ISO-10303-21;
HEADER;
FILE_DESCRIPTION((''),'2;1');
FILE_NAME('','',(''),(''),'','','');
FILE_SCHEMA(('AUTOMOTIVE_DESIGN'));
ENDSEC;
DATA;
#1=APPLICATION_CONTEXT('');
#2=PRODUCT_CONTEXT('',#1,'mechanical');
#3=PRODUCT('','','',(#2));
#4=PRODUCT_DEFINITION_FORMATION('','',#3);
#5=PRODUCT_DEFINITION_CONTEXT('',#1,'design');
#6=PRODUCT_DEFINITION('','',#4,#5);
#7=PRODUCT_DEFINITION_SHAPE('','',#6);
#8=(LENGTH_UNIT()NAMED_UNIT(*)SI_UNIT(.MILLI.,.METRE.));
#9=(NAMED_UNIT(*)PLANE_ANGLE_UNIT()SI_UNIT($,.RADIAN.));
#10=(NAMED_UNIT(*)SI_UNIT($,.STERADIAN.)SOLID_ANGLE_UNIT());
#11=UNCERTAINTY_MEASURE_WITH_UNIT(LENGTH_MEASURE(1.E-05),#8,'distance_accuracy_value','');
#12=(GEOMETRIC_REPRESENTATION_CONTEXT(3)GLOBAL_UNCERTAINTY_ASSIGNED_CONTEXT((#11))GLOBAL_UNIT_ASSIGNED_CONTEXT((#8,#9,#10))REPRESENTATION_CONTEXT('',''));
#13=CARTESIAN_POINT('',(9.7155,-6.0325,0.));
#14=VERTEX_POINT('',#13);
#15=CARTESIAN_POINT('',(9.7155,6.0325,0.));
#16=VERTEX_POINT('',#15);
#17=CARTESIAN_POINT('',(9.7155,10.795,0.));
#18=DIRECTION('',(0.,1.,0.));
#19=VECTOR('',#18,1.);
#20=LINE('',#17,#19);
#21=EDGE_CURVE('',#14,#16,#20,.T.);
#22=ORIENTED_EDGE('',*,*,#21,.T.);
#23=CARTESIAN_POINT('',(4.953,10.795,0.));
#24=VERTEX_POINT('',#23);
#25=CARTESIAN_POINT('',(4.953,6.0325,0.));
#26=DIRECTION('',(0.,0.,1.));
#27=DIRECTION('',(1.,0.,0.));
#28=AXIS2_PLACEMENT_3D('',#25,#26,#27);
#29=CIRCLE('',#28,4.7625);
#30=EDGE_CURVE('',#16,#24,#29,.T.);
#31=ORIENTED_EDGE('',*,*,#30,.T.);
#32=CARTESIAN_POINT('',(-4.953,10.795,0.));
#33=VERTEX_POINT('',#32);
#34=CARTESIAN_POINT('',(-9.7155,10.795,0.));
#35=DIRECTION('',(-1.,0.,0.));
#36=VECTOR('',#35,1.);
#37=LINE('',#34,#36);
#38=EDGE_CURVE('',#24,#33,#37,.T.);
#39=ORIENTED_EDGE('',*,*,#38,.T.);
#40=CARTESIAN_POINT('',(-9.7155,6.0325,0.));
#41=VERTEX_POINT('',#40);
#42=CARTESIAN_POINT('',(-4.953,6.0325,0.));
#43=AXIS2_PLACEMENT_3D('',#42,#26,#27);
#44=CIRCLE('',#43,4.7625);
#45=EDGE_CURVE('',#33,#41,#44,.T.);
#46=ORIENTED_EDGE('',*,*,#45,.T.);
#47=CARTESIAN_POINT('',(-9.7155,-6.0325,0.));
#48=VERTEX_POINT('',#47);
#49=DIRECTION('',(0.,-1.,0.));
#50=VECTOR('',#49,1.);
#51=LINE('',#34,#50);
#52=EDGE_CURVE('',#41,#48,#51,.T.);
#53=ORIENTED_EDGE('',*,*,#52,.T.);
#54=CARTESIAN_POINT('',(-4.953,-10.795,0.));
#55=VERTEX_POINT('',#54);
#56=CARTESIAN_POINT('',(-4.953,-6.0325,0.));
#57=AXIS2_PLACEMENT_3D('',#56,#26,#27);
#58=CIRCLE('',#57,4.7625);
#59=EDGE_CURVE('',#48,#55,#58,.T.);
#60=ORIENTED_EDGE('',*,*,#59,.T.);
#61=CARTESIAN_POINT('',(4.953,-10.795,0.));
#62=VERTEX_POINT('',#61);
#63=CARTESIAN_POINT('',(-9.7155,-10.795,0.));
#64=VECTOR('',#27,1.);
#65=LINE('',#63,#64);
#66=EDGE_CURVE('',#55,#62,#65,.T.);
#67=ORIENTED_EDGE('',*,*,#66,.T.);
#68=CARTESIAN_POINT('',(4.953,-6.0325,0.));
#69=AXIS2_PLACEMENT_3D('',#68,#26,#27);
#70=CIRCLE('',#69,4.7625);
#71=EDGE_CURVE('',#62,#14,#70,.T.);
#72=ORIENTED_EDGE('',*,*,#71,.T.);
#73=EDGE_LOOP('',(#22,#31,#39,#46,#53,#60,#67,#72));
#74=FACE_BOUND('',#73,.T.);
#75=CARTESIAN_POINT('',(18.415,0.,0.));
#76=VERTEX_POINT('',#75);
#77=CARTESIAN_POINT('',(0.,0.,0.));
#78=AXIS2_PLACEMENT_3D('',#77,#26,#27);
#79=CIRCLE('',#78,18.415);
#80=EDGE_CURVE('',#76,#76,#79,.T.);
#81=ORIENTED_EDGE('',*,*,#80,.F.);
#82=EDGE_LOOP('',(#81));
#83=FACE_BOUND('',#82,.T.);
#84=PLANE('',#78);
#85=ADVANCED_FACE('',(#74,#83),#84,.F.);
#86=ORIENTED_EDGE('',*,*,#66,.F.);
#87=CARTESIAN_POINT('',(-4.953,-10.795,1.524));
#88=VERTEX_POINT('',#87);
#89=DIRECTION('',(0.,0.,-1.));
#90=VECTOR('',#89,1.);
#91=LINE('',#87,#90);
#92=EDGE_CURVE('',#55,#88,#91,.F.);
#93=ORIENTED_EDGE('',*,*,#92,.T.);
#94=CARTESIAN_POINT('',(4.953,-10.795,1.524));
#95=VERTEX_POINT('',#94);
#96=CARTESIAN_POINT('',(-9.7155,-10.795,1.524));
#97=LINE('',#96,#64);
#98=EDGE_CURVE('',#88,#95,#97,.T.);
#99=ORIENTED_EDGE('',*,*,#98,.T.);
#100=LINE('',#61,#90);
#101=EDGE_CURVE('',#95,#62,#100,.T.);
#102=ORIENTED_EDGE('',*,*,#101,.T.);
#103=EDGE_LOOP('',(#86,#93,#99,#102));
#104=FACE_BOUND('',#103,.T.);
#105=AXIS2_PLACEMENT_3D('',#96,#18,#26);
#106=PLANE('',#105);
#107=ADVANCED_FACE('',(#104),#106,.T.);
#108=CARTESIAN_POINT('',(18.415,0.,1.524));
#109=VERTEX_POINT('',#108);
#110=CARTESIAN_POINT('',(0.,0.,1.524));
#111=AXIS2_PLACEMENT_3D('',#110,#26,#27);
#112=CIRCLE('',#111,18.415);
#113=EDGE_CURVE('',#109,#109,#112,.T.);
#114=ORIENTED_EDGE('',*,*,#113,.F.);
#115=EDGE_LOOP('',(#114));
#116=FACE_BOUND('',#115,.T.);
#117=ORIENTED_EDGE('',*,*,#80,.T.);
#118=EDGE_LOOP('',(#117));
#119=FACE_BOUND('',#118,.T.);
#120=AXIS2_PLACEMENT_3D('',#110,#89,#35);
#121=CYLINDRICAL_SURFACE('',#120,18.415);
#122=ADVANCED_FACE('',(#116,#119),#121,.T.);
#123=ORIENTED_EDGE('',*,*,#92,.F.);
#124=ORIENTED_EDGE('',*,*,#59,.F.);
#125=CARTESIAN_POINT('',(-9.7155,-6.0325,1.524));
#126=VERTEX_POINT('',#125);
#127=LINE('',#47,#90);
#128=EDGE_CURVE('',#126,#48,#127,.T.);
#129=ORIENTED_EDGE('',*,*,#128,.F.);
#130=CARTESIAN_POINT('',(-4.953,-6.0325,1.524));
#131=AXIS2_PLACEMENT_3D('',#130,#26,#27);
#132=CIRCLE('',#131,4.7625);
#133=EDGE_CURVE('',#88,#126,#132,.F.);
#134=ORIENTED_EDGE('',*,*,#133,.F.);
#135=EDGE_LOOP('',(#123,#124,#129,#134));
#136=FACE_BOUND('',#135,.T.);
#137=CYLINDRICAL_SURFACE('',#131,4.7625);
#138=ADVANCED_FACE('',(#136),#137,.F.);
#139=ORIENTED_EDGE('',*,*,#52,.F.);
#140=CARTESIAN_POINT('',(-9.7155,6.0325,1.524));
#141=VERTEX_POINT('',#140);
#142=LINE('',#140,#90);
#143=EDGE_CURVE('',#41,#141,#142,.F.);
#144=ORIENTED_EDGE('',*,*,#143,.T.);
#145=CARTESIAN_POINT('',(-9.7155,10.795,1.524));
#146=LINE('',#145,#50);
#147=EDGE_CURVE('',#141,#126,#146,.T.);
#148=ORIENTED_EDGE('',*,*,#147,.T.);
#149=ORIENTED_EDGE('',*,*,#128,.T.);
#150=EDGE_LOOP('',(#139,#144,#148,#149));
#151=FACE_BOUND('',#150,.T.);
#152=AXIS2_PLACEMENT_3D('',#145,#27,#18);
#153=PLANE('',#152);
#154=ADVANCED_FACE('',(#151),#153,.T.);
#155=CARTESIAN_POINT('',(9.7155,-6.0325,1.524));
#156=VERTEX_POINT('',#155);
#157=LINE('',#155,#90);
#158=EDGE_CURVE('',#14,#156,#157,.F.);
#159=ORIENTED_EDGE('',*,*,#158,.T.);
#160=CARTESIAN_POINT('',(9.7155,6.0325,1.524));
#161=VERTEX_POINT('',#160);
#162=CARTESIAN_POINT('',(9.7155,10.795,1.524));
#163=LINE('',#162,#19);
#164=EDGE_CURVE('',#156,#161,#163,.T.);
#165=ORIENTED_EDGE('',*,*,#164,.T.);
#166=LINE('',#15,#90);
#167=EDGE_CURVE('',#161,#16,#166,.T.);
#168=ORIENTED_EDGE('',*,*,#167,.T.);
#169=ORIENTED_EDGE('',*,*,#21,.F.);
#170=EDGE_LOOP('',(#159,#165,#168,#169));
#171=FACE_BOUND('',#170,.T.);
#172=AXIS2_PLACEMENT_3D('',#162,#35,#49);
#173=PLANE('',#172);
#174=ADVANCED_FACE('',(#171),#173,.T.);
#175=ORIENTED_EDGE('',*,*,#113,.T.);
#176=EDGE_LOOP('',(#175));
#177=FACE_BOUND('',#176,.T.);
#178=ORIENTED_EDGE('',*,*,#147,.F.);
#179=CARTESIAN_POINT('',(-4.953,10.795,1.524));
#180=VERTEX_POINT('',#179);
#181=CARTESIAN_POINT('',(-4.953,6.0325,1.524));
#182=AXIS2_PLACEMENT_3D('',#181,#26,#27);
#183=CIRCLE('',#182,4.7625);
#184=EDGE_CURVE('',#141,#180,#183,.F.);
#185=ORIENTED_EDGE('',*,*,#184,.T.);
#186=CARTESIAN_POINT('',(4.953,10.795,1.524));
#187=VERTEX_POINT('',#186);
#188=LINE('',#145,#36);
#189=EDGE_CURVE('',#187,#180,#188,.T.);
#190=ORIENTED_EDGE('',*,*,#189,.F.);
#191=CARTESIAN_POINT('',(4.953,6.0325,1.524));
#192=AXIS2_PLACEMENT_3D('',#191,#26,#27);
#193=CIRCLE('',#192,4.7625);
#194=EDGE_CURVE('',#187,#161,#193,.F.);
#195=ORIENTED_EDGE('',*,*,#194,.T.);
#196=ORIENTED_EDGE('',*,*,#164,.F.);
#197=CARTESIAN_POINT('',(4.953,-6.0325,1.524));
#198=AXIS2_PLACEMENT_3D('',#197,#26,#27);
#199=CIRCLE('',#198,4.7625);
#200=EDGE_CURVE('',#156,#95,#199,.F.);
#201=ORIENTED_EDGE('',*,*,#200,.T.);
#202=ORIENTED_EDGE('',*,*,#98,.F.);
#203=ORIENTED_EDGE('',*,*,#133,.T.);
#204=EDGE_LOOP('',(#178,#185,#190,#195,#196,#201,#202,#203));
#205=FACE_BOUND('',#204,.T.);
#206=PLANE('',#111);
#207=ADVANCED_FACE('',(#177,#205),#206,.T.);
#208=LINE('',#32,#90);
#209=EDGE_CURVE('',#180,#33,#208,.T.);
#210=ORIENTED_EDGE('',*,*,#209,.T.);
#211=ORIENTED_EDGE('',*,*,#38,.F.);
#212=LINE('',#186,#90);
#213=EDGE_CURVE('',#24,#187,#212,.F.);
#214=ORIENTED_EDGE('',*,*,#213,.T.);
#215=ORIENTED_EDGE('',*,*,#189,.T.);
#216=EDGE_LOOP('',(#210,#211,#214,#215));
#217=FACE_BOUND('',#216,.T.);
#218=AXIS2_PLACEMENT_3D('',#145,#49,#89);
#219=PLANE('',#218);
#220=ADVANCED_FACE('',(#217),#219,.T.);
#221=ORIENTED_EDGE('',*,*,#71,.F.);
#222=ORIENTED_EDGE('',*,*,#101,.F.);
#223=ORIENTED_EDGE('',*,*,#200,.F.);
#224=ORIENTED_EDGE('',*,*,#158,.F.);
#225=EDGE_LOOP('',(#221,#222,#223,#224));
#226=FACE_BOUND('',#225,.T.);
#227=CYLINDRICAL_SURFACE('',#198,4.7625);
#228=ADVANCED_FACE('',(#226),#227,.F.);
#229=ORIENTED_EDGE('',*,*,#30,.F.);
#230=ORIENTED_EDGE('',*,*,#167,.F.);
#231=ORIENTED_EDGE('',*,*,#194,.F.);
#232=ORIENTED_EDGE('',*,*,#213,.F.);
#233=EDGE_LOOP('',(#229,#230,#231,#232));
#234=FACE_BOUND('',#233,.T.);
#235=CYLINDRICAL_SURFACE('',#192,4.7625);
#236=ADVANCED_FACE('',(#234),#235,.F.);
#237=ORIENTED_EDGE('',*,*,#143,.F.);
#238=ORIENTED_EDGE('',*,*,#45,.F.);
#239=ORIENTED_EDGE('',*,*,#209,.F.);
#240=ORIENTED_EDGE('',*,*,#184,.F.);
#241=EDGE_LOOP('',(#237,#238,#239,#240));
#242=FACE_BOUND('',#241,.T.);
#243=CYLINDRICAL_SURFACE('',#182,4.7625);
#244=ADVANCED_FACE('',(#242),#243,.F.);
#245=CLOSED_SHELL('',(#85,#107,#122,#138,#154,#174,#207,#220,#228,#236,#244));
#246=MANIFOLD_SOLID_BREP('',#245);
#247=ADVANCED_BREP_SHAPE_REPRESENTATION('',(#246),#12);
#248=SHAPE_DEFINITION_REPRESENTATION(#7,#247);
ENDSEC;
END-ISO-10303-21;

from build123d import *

# Parameters (mm, degrees)
SKETCH1_R      = 18.415
SKETCH1_W      = 19.431
SKETCH1_H      = 21.59
EXTRUDE1_DEPTH = 1.524
FILLET1_R      = 4.7625


with BuildPart() as part:
    # Sketch1 → Extrude1 (new body)
    with BuildSketch(Plane.XY):
        Circle(SKETCH1_R)
        Rectangle(SKETCH1_W, SKETCH1_H, mode=Mode.SUBTRACT)
    extrude(amount=EXTRUDE1_DEPTH)

    # Fillet1
    fillet1_edges = [part.edges().sort_by_distance(p)[0] for p in [
        (-9.7155, 10.795, 0.762),
        (-9.7155, -10.795, 0.762),
        (9.7155, -10.795, 0.762),
        (9.7155, 10.795, 0.762),
    ]]
    fillet(fillet1_edges, radius=FILLET1_R)


solid = part.part
